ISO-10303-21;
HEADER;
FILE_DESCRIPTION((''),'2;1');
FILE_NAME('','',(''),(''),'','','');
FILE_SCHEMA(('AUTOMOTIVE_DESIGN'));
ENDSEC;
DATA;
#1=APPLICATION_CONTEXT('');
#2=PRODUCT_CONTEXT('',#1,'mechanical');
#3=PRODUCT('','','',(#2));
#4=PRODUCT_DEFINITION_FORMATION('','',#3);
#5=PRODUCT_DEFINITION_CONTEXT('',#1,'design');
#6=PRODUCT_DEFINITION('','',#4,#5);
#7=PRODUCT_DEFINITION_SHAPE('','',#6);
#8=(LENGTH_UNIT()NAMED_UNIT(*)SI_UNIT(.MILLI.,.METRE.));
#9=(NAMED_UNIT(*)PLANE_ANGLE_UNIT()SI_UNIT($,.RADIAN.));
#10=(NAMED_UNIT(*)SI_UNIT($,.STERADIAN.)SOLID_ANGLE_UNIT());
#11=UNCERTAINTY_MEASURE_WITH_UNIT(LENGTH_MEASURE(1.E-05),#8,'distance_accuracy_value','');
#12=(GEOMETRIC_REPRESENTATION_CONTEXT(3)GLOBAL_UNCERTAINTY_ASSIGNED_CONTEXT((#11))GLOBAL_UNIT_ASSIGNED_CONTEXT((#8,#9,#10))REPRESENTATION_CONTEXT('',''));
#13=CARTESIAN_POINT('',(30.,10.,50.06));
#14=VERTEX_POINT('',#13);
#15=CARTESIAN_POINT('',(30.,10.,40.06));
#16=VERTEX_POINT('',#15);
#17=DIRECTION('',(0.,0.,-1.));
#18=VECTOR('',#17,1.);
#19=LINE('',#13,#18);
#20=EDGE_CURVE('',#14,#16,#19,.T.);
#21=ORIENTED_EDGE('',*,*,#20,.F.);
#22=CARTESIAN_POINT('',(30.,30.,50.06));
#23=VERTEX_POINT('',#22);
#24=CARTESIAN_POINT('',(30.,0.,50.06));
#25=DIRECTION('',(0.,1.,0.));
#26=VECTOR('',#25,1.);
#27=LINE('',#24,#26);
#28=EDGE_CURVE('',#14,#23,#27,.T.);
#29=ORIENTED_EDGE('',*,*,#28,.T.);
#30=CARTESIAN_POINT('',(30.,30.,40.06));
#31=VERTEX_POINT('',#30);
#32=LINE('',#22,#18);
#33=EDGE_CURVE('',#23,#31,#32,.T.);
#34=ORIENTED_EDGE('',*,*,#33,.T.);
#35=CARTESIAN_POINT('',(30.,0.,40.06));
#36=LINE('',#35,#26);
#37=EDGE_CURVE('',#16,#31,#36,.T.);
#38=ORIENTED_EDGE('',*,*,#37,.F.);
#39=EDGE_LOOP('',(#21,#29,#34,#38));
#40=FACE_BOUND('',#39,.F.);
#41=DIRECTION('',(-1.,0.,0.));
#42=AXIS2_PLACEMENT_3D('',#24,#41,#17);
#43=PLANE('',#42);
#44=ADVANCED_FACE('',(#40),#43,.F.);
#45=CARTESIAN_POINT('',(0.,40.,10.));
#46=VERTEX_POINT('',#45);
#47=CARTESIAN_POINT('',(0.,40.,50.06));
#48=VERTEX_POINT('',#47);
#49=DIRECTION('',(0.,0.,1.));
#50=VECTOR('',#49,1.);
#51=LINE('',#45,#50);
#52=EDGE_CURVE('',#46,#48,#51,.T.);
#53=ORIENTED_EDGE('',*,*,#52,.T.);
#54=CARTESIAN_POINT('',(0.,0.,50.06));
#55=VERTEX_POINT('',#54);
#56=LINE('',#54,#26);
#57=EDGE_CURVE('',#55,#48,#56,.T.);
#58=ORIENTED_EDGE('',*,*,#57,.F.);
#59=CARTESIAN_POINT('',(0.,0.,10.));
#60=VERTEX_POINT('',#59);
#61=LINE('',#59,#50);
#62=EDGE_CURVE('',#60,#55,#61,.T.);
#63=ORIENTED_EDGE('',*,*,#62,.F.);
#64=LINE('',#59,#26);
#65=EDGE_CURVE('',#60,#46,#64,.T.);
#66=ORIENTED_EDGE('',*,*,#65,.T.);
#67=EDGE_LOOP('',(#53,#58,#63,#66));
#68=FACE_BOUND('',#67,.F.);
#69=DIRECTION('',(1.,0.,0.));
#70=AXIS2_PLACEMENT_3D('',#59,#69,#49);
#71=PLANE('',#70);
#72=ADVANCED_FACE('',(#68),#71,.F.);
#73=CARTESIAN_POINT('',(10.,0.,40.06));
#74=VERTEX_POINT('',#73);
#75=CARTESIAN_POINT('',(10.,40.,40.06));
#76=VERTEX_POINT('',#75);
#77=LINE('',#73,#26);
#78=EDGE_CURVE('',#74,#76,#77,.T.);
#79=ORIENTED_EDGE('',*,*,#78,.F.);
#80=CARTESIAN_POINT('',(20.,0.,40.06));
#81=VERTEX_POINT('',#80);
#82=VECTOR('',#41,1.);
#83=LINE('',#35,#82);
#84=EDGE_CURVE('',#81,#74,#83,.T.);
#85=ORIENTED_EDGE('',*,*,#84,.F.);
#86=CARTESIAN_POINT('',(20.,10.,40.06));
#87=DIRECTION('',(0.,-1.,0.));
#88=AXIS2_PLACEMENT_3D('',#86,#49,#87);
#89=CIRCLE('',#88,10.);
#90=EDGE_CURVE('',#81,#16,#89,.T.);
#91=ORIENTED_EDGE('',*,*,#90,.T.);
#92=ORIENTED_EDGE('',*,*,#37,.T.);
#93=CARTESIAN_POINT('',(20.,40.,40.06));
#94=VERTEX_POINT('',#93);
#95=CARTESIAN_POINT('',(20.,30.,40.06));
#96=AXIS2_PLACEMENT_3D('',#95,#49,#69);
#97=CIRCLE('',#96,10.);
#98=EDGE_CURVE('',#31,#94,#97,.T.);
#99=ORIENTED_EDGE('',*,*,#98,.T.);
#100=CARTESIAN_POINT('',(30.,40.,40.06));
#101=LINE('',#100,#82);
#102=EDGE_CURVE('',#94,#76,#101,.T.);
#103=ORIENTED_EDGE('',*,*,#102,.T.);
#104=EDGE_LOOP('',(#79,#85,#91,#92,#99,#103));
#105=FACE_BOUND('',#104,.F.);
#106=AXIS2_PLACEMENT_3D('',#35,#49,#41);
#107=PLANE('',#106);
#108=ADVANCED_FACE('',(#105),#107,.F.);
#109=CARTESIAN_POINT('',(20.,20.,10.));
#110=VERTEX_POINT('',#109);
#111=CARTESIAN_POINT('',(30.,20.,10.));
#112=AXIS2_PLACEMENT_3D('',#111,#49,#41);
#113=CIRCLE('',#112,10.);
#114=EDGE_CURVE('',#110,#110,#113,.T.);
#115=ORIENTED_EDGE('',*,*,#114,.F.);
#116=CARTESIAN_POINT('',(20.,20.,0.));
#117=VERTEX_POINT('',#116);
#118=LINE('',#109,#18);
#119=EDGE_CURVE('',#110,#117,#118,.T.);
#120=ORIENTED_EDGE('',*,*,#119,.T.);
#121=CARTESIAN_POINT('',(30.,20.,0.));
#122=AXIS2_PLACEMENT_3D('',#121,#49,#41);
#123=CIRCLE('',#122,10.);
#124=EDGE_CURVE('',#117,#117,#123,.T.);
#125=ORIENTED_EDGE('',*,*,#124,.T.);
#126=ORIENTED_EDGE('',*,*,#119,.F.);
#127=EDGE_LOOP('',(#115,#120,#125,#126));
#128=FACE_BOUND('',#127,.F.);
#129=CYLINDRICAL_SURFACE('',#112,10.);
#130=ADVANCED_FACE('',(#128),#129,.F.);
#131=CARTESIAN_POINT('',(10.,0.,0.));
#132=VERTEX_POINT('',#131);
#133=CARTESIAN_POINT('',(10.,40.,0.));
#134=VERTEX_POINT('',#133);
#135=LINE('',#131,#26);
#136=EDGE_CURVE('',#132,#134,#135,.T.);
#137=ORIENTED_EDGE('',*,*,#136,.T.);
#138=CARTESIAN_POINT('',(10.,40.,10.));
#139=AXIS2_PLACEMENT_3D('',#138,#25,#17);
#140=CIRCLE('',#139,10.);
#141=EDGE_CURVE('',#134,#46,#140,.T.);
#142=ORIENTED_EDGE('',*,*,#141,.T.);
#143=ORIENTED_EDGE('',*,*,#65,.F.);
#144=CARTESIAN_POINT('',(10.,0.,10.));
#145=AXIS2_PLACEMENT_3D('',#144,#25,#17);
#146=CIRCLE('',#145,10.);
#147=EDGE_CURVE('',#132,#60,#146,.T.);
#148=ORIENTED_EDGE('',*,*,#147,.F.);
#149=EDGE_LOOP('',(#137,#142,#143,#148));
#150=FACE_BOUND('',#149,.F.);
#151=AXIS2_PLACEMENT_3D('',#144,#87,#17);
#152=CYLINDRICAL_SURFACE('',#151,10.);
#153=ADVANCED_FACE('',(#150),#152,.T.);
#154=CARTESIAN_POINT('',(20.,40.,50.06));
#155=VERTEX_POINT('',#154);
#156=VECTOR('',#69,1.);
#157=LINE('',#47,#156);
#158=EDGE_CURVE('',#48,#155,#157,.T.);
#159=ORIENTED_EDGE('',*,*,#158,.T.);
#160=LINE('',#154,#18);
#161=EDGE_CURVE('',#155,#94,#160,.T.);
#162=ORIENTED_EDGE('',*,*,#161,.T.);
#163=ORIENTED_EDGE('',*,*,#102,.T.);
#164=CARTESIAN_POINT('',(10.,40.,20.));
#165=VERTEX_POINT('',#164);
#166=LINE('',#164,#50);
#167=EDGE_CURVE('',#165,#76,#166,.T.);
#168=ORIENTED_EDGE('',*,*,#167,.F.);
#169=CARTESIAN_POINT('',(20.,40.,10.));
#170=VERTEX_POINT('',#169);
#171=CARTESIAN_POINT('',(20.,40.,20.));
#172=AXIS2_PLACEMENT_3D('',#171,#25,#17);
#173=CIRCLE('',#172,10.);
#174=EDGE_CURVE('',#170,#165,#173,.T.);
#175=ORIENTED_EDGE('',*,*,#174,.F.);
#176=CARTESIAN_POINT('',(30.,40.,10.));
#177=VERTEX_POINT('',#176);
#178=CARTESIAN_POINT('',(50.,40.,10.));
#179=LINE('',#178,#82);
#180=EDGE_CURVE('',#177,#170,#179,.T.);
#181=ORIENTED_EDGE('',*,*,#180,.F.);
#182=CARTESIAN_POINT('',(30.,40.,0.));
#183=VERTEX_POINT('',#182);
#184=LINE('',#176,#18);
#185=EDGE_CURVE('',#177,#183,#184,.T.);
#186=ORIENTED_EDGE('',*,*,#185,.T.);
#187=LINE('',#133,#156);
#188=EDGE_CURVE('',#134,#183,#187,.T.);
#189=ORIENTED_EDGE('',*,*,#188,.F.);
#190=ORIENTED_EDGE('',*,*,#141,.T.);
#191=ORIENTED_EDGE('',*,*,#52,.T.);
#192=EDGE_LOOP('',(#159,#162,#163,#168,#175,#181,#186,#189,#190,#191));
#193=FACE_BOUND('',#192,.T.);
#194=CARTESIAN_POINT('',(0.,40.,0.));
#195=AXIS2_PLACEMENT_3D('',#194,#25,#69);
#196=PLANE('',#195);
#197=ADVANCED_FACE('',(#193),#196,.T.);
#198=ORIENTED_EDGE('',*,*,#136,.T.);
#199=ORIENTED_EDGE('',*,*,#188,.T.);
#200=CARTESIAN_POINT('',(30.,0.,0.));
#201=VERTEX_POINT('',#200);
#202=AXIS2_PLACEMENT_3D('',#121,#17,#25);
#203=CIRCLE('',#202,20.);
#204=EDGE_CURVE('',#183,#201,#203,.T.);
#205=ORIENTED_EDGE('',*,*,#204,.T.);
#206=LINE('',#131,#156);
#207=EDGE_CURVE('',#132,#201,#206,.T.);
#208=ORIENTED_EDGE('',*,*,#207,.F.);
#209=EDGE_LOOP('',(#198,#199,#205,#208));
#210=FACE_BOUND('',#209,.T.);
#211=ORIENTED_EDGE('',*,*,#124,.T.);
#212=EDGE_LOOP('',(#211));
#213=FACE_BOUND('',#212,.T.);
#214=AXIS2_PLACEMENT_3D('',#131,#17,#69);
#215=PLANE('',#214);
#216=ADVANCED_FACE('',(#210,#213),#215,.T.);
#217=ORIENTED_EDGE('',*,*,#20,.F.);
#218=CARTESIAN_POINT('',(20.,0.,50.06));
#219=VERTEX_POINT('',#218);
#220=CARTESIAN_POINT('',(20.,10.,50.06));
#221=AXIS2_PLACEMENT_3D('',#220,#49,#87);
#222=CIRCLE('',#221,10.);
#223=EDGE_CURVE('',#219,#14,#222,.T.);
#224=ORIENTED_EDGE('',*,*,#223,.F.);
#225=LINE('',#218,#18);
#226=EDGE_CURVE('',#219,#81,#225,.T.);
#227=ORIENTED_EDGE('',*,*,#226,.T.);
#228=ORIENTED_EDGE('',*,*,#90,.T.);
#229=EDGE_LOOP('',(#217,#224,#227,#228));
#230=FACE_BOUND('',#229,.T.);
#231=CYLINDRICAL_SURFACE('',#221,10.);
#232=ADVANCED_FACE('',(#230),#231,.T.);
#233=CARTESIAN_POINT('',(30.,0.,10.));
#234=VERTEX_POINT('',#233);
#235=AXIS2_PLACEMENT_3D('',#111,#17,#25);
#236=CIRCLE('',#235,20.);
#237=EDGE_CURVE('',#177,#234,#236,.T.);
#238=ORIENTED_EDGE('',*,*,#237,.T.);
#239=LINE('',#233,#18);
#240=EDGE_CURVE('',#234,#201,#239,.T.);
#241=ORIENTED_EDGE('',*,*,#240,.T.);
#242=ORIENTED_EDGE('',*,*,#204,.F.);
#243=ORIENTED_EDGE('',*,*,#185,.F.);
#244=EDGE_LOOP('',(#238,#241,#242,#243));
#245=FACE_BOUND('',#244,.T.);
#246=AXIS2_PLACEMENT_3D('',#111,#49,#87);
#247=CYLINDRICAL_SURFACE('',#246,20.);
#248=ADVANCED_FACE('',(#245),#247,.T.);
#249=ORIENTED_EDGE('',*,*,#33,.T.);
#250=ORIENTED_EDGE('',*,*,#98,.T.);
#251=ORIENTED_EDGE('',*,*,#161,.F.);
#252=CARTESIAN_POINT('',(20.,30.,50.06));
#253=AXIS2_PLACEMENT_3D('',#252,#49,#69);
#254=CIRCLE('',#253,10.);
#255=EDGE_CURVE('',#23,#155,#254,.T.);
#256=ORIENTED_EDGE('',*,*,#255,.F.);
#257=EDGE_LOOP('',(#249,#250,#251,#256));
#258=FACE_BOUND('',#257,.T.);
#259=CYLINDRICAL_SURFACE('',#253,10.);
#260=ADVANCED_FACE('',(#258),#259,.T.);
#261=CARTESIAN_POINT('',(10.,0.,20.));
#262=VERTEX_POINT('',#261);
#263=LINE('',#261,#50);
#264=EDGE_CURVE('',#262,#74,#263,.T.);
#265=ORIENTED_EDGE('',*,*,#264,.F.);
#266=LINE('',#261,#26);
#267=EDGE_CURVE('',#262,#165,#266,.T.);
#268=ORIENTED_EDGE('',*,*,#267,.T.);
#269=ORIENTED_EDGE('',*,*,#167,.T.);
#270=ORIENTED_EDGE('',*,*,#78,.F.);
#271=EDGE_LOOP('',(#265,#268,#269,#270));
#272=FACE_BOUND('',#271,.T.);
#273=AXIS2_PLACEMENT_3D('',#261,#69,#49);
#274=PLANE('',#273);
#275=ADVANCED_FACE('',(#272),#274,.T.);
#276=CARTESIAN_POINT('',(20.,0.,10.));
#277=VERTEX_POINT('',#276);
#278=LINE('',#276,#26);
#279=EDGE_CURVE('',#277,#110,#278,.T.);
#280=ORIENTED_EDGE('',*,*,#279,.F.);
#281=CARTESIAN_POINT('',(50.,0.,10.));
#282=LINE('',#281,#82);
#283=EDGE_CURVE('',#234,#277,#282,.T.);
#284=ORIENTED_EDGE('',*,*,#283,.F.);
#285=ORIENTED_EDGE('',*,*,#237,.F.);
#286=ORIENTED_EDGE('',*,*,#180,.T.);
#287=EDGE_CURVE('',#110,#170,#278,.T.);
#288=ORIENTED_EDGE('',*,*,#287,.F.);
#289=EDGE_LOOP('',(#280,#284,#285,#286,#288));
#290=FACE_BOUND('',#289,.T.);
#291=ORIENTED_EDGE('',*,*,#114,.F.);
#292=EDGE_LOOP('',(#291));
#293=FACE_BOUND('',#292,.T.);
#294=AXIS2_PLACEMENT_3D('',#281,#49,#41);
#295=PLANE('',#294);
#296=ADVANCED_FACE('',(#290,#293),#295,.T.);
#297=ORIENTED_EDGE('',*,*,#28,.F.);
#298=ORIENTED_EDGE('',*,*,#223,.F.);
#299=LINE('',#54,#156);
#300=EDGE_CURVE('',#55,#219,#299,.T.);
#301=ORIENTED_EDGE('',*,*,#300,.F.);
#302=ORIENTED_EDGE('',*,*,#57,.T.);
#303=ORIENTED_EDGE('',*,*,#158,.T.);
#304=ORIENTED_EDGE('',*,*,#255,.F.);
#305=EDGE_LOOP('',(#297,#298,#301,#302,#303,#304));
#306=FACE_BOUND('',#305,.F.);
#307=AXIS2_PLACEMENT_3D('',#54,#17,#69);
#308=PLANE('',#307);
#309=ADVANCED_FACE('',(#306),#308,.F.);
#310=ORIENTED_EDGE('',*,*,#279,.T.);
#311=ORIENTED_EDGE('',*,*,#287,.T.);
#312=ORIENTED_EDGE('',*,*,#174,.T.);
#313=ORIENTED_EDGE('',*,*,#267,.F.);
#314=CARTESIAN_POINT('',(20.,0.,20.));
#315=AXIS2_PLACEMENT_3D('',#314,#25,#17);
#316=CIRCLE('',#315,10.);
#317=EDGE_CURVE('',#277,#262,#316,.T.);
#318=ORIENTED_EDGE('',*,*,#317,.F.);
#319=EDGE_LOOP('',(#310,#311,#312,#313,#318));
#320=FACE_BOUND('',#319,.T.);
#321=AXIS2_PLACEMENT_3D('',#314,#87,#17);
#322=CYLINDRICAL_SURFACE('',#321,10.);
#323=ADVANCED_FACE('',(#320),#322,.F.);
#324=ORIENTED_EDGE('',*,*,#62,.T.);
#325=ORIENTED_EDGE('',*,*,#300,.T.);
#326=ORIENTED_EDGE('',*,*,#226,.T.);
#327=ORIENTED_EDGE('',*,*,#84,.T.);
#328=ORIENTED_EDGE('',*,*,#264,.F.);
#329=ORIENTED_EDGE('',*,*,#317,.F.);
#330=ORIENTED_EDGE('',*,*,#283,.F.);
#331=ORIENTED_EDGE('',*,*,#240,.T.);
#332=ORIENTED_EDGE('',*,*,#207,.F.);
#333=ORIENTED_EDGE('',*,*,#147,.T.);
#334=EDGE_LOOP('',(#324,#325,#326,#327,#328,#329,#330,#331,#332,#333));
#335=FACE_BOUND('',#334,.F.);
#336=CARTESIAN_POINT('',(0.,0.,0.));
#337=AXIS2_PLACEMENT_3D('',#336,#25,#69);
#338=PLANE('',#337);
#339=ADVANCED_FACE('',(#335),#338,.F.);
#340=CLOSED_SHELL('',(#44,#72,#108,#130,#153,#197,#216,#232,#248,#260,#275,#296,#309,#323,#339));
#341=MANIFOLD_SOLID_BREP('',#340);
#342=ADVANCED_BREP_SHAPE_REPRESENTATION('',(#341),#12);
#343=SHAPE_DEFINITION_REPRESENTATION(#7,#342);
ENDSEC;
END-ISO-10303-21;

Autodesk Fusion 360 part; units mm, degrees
sketch "Sketch1" plane through (0, 0, 0) normal (0, 1, 0) x (1, 0, 0)
  line L0 (0, -10) -> (0, -50.06)
  line L1 (0, -50.06) -> (30, -50.06)
  line L2 (30, -50.06) -> (30, -40.06)
  line L3 (30, -40.06) -> (10, -40.06)
  line L4 (10, 0) -> (50, 0)
  line L5 (50, 0) -> (50, -10)
  line L6 (50, -10) -> (20, -10)
  line L7 (10, -20) -> (10, -40.06)
  arc A0 (20, -10) -> (10, -20) centre (20, -20) ccw
  arc A1 (10, 0) -> (0, -10) centre (10, -10) ccw
  dimension "d1" = 50.06
  dimension "d2" = 30
  dimension "d3" = 10
  dimension "d4" = 20
  dimension "d6" = 50
  dimension "d7" = 10
  dimension "d8" = 10
extrude "Extrude1" add sketch "Sketch1" along normal blind 40
sketch "Sketch2" plane through (0, 0, 50.06) normal (0, 0, 1) x (-1, 0, 0)
  line L0 (0, 0) -> (-30, 0)
  line L1 (-30, 0) -> (-30, -40)
  line L2 (-30, -40) -> (0, -40)
  line L3 (0, -40) -> (0, 0)
  line L4 (0, -40) -> (-20, -40)
  line L5 (-30, -10) -> (-30, -30)
  line L6 (-20, 0) -> (0, 0)
  arc A0 (-30, -30) -> (-20, -40) centre (-20, -30) ccw
  arc A1 (-20, 0) -> (-30, -10) centre (-20, -10) ccw
  dimension "d11" = 10
  dimension "d12" = 10
extrude "Extrude2" cut sketch "Sketch2" against normal blind 10 contours L0 L1 A1 | L1 L2 A0
sketch "Sketch3" plane through (0, 0, 10) normal (0, 0, 1) x (-1, 0, 0)
  line L0 (-20, 0) -> (-50, 0)
  line L1 (-50, 0) -> (-50, -40)
  line L2 (-50, -40) -> (-20, -40)
  line L3 (-20, -40) -> (-20, 0)
  line L4 (-20, -40) -> (-30, -40)
  line L5 (-50, -20) -> (-50, -20)
  line L6 (-30, 0) -> (-20, 0)
  arc A0 (-50, -20) -> (-30, -40) centre (-30, -20) ccw
  arc A1 (-30, 0) -> (-50, -20) centre (-30, -20) ccw
  circle A2 centre (-30, -20) radius 10
  dimension "d15" = 20
  dimension "d16" = 20
  dimension "d17" = 20
extrude "Extrude3" cut sketch "Sketch3" against normal blind 15 contours A2 | L0 L1 A1 | L1 L2 A0
